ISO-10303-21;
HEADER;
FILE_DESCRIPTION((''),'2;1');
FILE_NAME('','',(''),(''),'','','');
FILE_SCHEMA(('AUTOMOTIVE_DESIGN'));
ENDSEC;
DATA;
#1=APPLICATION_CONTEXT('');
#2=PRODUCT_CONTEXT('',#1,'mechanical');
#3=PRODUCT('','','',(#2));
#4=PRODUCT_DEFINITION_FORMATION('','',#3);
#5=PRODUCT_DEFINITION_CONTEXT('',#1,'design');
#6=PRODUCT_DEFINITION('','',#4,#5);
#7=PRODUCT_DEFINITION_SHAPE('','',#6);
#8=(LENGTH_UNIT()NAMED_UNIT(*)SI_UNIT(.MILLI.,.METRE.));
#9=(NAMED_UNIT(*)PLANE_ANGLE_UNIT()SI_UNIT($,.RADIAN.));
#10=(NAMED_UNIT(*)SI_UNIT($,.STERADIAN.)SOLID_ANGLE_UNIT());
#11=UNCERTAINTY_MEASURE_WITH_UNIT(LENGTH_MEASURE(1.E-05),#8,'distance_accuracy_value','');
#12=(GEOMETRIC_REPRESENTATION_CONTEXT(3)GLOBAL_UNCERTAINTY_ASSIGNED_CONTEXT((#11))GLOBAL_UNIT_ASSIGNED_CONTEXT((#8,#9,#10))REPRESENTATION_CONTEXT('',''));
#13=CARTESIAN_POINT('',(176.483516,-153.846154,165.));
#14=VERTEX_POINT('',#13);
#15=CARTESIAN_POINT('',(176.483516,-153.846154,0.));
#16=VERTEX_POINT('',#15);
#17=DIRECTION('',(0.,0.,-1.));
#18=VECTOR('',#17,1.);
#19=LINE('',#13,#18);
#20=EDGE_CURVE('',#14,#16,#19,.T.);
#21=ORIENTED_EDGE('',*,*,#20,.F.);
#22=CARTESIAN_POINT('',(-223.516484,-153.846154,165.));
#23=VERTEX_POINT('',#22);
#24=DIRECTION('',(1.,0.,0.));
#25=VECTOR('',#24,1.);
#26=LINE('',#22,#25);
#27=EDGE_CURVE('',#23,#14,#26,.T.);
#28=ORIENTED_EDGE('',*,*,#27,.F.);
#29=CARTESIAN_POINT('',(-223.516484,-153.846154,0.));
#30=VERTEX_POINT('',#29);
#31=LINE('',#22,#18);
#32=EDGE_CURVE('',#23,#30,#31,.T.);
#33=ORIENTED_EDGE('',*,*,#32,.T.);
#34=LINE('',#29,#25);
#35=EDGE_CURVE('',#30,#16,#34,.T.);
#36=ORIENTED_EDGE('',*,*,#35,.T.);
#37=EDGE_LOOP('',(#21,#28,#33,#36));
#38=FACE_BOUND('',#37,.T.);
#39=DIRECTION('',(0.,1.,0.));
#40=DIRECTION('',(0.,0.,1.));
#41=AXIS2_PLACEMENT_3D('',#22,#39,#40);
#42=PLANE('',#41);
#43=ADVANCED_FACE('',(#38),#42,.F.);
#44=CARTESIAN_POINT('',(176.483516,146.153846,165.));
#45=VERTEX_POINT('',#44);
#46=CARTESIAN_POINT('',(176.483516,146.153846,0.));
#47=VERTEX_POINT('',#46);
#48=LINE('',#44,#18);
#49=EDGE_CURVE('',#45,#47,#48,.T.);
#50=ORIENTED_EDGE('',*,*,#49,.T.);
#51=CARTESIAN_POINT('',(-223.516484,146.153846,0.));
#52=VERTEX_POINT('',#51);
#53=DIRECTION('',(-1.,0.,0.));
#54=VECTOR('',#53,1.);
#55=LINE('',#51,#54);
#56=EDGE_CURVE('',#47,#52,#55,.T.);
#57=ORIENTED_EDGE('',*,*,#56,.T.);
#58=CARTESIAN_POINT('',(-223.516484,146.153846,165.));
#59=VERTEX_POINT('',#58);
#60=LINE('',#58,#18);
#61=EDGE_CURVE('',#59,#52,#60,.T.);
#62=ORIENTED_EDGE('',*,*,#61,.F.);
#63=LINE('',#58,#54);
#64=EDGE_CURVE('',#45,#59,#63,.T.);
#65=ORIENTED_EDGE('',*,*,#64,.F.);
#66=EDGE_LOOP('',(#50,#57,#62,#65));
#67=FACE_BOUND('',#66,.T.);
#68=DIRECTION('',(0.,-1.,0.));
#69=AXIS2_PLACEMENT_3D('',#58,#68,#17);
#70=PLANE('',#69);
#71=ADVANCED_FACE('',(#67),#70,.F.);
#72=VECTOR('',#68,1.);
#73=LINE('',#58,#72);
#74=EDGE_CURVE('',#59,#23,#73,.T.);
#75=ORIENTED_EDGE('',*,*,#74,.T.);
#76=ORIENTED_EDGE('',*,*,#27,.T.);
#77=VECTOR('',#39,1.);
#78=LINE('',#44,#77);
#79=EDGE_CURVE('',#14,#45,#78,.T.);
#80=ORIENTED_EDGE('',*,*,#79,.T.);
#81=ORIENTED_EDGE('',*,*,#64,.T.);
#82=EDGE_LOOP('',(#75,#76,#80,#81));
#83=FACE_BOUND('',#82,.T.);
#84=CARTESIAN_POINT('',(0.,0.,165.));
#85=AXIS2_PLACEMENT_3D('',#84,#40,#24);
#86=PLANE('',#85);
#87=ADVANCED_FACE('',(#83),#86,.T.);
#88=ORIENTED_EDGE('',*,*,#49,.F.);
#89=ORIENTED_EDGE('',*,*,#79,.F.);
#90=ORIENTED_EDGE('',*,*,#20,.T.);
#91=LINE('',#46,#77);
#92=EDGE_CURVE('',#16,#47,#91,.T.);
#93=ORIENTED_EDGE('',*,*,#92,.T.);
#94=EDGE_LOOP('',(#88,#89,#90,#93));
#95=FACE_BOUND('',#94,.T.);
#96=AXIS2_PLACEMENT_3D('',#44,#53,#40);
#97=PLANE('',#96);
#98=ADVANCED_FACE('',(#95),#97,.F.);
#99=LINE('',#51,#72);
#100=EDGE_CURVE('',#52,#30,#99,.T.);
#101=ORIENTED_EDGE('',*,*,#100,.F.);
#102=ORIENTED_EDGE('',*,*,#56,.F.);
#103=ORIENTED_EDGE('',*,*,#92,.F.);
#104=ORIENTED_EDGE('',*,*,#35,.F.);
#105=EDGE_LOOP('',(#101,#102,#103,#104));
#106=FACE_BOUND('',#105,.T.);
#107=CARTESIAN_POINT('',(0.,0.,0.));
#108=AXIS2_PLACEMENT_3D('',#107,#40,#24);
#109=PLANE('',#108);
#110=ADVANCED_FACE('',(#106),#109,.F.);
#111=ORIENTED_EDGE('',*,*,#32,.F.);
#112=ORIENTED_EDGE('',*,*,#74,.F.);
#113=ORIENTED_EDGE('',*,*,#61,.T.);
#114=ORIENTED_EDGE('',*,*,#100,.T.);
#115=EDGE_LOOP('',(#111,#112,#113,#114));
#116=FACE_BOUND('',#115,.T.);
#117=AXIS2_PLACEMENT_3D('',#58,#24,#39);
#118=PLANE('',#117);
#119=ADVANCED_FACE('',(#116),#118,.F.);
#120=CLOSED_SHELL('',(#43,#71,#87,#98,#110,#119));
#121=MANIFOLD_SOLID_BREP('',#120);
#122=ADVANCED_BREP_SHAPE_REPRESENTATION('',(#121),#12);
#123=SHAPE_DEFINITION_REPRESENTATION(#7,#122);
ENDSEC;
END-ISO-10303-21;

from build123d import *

# Parameters (mm, degrees)
SKETCH1_W           = 400
SKETCH1_H           = 300
BOSS_EXTRUDE1_DEPTH = 165


with BuildPart() as part:
    # Sketch1 → Boss-Extrude1 (new body)
    with BuildSketch(Plane.XY):
        with Locations((-23.516483516, -3.846153846)):
            Rectangle(SKETCH1_W, SKETCH1_H)
    extrude(amount=BOSS_EXTRUDE1_DEPTH)


solid = part.part
